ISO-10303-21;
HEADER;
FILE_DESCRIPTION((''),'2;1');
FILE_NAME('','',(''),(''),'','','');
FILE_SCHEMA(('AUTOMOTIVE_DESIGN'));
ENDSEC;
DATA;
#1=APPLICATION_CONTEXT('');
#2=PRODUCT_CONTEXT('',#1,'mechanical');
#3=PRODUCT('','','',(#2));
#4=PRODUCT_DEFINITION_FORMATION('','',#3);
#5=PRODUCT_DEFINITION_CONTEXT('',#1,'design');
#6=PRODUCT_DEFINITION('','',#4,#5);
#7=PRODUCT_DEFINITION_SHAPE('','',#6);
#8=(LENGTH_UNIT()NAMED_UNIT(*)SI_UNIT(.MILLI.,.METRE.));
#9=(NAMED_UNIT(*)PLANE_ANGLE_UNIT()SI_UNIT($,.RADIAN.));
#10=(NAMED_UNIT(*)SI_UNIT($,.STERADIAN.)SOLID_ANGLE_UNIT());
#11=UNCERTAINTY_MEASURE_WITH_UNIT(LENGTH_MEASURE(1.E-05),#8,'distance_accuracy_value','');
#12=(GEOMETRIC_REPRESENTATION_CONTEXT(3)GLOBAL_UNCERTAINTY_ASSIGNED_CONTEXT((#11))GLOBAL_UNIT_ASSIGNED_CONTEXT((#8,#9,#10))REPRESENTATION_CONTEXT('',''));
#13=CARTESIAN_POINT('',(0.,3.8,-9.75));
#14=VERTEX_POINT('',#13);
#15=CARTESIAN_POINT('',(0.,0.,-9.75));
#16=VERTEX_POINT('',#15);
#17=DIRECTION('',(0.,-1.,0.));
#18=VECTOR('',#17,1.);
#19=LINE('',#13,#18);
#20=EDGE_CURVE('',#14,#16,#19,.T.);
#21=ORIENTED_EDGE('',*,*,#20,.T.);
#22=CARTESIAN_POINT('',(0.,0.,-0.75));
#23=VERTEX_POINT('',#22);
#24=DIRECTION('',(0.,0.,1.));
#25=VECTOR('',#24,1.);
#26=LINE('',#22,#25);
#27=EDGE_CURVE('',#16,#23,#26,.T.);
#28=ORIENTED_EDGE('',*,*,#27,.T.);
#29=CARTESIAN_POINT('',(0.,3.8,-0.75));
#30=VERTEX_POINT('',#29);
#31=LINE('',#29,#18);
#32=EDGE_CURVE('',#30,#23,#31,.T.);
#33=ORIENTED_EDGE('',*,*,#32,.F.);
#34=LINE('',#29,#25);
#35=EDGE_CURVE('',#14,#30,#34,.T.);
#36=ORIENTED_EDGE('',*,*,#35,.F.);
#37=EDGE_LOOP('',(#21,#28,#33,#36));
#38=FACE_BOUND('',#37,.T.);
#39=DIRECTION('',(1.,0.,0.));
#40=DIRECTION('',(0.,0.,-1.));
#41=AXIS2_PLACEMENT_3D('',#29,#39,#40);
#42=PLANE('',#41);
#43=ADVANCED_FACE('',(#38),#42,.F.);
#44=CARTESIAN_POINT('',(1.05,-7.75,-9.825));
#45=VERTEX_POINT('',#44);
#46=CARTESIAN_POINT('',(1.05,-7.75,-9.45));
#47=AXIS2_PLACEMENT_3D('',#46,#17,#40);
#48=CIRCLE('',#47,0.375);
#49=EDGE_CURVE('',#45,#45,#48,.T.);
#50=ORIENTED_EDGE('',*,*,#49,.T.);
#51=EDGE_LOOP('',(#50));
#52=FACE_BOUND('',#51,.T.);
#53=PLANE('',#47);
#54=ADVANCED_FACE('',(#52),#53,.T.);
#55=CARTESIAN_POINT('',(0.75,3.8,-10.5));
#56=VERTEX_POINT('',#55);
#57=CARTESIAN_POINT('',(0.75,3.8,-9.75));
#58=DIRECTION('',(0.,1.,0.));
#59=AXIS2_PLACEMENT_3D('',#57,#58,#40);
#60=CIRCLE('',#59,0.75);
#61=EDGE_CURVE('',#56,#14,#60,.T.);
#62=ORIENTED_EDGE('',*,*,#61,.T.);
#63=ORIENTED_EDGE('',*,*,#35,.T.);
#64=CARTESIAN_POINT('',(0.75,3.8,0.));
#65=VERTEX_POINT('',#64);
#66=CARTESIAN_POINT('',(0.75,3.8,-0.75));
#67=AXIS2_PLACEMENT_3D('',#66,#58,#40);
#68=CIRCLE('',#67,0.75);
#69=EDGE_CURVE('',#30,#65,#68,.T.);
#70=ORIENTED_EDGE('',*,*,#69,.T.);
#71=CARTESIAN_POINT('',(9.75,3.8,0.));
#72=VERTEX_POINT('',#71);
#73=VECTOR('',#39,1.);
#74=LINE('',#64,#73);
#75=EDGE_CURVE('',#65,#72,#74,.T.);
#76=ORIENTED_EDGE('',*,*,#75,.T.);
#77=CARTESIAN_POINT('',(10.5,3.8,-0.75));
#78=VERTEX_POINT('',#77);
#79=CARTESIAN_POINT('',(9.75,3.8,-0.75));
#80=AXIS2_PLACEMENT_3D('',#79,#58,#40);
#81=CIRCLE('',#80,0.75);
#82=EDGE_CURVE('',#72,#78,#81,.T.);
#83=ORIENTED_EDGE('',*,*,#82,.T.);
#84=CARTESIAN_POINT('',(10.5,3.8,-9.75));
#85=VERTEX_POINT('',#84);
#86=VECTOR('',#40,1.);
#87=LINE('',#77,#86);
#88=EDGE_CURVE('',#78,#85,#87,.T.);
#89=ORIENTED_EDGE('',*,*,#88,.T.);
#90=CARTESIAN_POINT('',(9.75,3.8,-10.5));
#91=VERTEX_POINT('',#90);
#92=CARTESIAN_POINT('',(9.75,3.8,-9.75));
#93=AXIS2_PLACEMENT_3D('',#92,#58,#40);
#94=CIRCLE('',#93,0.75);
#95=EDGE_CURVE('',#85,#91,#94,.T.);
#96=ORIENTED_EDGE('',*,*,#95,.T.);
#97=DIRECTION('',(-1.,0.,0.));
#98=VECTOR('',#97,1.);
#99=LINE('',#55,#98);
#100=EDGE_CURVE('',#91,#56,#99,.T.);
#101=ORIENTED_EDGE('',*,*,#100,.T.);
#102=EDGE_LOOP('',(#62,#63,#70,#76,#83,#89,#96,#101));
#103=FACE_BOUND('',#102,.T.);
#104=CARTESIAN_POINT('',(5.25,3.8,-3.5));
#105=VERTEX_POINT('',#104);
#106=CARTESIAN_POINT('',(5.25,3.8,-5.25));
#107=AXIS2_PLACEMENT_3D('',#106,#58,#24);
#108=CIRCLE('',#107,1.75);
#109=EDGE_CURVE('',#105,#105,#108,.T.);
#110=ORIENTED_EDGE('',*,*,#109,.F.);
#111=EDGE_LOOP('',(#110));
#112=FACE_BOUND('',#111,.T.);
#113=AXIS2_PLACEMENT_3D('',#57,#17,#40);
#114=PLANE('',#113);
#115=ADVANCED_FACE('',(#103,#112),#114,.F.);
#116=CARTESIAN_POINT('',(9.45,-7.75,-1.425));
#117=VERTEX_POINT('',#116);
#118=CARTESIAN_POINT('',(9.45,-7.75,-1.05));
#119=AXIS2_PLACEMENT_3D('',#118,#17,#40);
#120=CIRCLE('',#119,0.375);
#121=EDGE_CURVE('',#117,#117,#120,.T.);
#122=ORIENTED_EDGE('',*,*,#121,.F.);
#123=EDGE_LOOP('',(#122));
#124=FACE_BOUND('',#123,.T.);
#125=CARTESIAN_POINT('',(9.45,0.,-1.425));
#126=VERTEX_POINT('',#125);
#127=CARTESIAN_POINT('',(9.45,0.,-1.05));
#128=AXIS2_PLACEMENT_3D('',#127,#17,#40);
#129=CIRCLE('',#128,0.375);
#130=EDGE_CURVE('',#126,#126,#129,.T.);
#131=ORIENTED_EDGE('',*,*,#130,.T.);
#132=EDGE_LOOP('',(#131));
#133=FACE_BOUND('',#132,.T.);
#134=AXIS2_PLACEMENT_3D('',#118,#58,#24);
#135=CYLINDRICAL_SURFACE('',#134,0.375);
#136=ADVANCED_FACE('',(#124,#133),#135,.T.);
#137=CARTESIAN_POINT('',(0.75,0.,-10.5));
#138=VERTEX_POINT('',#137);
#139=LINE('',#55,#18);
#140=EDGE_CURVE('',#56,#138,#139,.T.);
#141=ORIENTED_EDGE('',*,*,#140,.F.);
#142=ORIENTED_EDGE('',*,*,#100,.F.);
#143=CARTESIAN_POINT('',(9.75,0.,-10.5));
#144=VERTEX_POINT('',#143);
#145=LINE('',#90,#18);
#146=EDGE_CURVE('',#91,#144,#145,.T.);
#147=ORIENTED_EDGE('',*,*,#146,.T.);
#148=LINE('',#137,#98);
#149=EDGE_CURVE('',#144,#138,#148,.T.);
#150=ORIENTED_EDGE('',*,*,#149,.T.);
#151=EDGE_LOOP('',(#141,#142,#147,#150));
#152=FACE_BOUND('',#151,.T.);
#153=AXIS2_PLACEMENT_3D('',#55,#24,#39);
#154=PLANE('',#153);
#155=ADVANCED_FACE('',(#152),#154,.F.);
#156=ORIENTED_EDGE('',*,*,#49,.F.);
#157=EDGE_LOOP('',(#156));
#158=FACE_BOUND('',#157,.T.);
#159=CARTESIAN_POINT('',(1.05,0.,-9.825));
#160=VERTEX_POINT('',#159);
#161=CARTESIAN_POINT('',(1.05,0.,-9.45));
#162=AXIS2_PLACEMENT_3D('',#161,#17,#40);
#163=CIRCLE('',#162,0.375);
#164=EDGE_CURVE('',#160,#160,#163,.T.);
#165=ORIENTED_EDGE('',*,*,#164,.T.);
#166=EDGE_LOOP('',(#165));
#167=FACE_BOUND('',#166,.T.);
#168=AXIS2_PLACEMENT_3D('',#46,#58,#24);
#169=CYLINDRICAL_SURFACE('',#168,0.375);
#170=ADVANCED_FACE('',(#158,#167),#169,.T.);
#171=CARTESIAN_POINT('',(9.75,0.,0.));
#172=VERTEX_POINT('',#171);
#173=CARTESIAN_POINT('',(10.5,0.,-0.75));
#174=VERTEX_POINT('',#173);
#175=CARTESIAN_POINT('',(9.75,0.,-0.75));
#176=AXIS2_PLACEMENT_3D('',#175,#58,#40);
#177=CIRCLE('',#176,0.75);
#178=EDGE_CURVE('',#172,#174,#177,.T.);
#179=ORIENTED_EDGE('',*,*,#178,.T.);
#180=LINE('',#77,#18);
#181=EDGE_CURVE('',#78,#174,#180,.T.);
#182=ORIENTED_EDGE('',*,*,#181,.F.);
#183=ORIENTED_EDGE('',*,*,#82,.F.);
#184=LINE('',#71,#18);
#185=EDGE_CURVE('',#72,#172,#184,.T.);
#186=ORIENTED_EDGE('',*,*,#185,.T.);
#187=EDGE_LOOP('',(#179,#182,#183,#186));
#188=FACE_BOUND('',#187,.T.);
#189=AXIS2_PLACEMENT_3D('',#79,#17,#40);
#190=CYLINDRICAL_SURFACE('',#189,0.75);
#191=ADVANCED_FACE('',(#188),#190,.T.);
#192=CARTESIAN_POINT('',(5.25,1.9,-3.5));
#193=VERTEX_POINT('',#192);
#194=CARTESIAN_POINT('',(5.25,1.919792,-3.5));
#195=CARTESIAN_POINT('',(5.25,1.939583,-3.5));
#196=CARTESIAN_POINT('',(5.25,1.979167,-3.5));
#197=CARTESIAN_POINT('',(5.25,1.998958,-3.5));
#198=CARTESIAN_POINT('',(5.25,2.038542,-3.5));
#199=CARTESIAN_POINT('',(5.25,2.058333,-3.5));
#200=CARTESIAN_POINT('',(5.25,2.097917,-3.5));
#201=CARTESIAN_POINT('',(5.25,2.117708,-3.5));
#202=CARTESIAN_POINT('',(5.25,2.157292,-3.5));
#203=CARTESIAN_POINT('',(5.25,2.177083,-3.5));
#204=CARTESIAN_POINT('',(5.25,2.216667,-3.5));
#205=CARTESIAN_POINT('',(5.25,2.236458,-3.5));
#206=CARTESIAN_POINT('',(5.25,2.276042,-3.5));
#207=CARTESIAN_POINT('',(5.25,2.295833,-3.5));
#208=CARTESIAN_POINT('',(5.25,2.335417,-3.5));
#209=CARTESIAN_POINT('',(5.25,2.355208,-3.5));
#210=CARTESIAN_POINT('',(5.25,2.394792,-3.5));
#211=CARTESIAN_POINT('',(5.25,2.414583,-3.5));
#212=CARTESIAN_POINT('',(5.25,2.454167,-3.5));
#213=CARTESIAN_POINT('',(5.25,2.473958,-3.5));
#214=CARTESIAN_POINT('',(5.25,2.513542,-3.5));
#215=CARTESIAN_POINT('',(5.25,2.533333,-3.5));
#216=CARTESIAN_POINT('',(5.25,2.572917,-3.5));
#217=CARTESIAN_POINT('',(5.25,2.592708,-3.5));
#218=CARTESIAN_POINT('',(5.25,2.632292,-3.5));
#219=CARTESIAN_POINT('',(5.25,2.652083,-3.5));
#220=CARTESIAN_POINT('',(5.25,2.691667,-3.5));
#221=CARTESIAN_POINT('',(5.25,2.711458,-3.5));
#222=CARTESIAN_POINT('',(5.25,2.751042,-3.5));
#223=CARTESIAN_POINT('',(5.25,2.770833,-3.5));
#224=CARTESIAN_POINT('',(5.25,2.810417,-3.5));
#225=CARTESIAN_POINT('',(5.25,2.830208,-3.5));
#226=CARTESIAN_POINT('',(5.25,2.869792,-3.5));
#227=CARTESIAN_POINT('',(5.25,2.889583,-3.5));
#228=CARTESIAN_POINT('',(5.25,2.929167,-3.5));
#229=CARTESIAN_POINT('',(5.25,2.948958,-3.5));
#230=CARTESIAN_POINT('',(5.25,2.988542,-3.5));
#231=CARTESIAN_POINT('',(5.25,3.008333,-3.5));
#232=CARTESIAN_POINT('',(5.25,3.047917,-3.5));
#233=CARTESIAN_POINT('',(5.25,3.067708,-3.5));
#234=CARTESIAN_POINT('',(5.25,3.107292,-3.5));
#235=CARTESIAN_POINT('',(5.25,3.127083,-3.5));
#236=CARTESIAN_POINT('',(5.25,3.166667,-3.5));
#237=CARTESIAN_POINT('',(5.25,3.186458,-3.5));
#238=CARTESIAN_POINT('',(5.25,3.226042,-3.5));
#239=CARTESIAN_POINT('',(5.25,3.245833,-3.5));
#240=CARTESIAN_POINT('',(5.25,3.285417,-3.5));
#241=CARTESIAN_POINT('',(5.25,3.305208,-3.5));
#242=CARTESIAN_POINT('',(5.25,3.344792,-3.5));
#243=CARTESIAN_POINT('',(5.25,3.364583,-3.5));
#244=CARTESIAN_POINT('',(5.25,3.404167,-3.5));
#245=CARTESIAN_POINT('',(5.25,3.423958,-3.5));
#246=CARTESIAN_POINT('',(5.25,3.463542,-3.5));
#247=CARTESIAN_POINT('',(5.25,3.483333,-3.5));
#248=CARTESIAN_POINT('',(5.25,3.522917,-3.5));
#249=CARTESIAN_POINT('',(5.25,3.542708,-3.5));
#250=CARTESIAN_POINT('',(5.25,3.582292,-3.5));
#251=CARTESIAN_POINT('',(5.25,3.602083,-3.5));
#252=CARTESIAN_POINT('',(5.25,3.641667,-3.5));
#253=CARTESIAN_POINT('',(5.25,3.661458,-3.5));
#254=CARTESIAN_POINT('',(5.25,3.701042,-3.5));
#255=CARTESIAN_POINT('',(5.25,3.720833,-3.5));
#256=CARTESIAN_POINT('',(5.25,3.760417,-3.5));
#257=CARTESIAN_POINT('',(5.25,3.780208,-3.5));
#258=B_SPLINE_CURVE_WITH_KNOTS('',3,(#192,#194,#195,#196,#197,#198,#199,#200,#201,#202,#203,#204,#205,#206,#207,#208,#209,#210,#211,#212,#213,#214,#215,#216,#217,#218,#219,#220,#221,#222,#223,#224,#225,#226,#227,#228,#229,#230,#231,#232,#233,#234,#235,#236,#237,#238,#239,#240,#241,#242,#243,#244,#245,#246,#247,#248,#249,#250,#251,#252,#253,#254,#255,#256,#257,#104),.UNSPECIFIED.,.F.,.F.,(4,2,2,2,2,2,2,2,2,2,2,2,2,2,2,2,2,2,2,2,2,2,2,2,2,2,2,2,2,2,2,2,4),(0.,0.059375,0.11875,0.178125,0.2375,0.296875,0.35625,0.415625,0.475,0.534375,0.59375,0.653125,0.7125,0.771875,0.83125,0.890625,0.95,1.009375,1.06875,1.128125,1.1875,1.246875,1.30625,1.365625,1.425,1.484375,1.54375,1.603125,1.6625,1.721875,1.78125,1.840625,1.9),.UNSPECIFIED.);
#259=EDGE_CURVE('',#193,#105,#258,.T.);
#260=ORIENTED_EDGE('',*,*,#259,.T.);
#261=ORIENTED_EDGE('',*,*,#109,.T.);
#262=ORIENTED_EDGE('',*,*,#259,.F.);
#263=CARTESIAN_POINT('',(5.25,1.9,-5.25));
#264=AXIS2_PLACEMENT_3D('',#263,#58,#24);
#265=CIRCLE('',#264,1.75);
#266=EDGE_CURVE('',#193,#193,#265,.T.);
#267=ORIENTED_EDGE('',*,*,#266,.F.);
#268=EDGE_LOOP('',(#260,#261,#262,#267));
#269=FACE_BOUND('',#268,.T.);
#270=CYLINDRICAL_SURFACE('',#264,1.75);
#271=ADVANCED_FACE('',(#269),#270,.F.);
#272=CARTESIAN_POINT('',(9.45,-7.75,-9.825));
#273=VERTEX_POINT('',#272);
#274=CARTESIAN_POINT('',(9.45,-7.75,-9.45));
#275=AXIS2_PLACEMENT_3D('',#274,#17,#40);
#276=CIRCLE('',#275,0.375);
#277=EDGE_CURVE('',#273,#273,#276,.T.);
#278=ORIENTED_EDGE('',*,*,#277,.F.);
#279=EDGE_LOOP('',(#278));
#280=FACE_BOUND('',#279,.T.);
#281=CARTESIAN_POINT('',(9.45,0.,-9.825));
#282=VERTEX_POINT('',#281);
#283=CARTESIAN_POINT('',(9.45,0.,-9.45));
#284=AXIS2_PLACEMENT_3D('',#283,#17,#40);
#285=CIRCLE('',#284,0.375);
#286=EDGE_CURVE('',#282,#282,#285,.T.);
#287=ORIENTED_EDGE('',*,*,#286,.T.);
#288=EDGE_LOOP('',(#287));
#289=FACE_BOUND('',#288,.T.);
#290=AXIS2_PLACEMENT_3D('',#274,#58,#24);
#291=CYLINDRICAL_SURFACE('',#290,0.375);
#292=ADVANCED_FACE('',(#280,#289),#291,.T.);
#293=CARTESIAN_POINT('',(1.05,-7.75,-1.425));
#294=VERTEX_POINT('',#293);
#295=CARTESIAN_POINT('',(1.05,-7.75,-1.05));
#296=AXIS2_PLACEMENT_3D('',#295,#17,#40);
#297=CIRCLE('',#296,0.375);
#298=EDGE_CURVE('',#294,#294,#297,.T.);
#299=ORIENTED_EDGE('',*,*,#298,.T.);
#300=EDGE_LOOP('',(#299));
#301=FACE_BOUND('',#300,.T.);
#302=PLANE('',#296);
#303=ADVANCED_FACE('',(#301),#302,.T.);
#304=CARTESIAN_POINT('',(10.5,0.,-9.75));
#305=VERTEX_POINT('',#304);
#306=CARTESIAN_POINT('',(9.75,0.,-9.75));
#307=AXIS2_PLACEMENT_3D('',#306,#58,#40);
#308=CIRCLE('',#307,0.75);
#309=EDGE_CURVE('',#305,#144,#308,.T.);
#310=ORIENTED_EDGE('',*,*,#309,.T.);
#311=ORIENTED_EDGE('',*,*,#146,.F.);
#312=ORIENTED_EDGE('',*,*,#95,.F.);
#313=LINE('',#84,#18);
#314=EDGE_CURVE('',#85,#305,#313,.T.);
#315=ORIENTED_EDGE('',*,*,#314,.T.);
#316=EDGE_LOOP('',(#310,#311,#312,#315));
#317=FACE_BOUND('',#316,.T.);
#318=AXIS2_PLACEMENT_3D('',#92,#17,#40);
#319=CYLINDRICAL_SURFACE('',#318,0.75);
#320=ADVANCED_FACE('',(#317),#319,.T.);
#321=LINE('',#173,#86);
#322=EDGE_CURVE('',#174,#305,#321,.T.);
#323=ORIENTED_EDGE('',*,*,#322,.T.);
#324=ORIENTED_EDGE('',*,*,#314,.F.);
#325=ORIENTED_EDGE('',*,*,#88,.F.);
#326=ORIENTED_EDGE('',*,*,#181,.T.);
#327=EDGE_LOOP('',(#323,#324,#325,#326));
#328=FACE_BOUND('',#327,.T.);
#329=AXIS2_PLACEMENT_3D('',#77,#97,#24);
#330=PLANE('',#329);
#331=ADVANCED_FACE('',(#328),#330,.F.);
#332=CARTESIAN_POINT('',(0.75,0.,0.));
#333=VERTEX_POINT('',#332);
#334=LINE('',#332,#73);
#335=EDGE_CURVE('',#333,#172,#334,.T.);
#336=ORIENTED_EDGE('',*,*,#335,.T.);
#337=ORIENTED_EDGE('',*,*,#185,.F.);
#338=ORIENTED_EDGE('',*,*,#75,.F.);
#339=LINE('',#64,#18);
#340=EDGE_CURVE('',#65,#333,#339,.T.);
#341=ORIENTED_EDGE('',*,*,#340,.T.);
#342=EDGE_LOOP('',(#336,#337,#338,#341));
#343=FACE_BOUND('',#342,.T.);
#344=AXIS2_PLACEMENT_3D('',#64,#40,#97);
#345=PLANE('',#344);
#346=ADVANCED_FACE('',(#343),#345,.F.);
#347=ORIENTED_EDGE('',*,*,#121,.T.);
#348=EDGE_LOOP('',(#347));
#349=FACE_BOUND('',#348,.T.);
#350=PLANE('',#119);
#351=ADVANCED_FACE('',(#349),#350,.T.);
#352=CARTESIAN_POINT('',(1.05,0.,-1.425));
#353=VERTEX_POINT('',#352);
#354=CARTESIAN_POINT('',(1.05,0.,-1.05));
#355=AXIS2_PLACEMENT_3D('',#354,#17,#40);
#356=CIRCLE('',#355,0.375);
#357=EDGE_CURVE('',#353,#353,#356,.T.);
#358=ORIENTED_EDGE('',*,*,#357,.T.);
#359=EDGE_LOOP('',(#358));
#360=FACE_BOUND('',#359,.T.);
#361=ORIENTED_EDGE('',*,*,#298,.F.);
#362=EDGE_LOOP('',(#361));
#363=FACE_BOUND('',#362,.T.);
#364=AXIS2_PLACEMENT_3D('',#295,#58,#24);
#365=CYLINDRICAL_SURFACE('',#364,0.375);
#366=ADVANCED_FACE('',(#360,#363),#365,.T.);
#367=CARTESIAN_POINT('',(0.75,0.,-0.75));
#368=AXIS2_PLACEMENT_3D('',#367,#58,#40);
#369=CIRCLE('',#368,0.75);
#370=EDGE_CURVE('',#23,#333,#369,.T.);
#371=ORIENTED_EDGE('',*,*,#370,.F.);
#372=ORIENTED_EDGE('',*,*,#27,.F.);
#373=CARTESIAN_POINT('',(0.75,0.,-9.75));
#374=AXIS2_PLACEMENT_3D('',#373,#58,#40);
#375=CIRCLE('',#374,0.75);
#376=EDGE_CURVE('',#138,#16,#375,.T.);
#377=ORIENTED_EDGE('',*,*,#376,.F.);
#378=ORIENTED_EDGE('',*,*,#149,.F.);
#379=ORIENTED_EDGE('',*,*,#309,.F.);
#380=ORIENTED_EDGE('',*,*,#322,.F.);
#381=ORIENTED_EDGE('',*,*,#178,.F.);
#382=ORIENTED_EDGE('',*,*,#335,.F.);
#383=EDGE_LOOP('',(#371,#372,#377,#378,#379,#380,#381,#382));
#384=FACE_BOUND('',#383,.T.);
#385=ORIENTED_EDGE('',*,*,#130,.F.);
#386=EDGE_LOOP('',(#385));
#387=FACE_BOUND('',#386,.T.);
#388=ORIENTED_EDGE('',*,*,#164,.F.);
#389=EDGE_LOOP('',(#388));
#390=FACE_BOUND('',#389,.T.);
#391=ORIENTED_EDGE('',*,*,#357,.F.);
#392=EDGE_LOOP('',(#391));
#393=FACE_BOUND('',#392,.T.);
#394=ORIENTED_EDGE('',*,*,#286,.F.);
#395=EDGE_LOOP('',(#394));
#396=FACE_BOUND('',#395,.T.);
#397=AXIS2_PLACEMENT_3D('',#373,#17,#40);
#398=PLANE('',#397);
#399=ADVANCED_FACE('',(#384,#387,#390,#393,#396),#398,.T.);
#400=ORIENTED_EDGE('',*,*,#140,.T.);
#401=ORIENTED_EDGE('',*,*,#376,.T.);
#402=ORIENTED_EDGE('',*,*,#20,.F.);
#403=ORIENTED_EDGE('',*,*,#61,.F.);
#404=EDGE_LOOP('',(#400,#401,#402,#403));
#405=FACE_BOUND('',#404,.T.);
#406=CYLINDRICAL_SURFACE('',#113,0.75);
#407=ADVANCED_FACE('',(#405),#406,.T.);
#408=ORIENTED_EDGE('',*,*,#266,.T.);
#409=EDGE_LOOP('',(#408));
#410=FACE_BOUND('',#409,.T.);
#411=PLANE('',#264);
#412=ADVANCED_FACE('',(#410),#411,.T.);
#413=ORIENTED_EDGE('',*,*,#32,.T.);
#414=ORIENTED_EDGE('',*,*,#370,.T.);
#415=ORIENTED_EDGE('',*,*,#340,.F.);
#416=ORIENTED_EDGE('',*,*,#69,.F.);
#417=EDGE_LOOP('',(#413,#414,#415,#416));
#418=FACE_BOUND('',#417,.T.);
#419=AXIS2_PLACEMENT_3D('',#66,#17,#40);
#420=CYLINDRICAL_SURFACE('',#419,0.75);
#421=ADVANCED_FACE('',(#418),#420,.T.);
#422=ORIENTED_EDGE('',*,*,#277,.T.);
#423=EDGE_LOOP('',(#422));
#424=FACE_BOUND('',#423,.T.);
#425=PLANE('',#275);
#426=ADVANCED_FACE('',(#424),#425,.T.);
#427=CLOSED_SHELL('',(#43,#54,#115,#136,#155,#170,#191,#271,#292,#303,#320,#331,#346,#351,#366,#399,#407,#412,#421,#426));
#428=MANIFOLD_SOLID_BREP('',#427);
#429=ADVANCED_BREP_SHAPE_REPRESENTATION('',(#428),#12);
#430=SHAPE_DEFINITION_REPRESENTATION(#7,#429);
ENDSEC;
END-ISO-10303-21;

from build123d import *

# Parameters (mm, degrees)
BOSS_EXTRUDE1_DEPTH = 3.8
SKETCH2_2_R         = 1.75
CUT_EXTRUDE1_DEPTH  = 1.9
SKETCH3_R           = 0.375
BOSS_EXTRUDE3_DEPTH = 7.75


with BuildPart() as part:
    # Sketch1 → Boss-Extrude1 (new body)
    with BuildSketch(Plane(origin=(0, 0, 0), x_dir=(1, 0, 0), z_dir=(0, 1, 0))):
        with BuildLine():
            Line((0.75, 0), (9.75, 0))
            ThreePointArc((9.75, 0), (10.280330086, 0.219669914), (10.5, 0.75))
            Line((10.5, 0.75), (10.5, 9.75))
            ThreePointArc((10.5, 9.75), (10.280330086, 10.280330086), (9.75, 10.5))
            Line((9.75, 10.5), (0.75, 10.5))
            ThreePointArc((0.75, 10.5), (0.219669914, 10.280330086), (0, 9.75))
            Line((0, 9.75), (0, 0.75))
            ThreePointArc((0, 0.75), (0.219669914, 0.219669914), (0.75, 0))
        make_face()
    extrude(amount=BOSS_EXTRUDE1_DEPTH)

    # Sketch2<2> → Cut-Extrude1 (cut)
    with BuildSketch(Plane(origin=(0, 3.8, 0), x_dir=(1, 0, 0), z_dir=(0, 1, 0))):
        with Locations((5.25, 5.25)):
            Circle(SKETCH2_2_R)
    extrude(amount=-CUT_EXTRUDE1_DEPTH, mode=Mode.SUBTRACT)

    # Sketch3 → Boss-Extrude3 (add)
    with BuildSketch(Plane.XZ):
        with Locations((9.45, -1.05)):
            Circle(SKETCH3_R)
        with Locations((9.45, -9.45)):
            Circle(SKETCH3_R)
        with Locations((1.05, -9.45)):
            Circle(SKETCH3_R)
        with Locations((1.05, -1.05)):
            Circle(SKETCH3_R)
    extrude(amount=BOSS_EXTRUDE3_DEPTH)


solid = part.part
